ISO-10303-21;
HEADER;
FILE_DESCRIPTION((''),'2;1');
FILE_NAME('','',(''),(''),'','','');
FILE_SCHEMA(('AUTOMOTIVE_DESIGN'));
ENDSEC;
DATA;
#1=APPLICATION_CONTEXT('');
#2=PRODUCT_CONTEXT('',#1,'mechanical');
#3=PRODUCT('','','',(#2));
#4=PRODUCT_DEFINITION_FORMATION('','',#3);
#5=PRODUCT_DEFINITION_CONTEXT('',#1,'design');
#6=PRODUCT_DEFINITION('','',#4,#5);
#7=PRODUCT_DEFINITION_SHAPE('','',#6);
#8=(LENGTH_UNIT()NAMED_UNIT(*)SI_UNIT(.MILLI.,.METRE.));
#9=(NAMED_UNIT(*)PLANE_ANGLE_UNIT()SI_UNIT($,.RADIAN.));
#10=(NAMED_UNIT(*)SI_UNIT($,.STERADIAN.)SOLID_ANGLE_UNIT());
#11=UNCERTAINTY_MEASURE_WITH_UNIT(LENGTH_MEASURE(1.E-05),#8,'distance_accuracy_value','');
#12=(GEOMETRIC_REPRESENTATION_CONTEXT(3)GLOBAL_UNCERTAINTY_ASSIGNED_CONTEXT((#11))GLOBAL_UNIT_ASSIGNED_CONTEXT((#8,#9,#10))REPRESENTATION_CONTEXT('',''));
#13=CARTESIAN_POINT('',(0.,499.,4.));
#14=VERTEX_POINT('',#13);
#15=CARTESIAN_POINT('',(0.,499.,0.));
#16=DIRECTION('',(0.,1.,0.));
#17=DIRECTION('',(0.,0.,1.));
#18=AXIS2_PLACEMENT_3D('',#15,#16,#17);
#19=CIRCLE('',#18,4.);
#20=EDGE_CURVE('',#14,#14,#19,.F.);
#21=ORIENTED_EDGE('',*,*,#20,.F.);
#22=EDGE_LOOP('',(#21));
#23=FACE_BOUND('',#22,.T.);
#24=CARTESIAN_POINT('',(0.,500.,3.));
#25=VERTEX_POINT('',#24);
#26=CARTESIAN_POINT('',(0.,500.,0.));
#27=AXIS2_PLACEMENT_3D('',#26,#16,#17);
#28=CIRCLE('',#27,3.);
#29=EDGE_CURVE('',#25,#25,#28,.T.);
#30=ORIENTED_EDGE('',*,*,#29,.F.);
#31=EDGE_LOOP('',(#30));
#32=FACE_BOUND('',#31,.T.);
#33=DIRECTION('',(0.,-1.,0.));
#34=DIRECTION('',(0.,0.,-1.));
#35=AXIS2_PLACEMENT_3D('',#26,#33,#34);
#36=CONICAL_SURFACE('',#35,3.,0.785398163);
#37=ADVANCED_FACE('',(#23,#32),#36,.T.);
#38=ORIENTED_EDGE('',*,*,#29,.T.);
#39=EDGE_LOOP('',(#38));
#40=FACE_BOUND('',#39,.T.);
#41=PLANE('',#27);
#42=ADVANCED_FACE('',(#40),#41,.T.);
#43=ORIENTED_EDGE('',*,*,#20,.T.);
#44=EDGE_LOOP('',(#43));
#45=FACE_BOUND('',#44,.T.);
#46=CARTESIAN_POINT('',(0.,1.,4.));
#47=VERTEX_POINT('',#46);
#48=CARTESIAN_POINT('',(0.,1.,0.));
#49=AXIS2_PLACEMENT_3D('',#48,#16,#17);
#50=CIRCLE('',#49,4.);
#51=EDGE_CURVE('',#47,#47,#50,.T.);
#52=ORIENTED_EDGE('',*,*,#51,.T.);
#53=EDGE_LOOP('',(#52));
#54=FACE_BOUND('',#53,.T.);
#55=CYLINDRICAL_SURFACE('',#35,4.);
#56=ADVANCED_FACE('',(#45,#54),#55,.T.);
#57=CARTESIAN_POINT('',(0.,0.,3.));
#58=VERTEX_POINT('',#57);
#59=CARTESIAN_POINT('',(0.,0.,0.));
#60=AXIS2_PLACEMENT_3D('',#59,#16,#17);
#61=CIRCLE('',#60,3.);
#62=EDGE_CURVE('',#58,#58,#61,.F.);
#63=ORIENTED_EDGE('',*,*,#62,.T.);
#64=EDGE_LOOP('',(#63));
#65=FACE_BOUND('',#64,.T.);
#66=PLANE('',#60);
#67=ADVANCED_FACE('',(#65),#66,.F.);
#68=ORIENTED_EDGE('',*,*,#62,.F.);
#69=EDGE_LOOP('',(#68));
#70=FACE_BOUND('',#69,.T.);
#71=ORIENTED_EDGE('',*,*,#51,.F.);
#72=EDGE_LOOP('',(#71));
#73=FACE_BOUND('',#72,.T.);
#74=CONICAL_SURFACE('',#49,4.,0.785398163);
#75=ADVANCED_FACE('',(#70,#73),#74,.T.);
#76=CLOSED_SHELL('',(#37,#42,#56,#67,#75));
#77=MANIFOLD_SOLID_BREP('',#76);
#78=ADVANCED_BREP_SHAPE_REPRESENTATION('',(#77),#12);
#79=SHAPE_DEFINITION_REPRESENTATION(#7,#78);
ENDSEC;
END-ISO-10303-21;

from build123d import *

# Parameters (mm, degrees)
SKETCH1_R           = 4
BOSS_EXTRUDE1_DEPTH = 500
CHAMFER1_SIZE       = 1


with BuildPart() as part:
    # Sketch1 → Boss-Extrude1 (new body)
    with BuildSketch(Plane(origin=(0, 0, 0), x_dir=(1, 0, 0), z_dir=(0, 1, 0))):
        Circle(SKETCH1_R)
    extrude(amount=BOSS_EXTRUDE1_DEPTH)

    # Chamfer1
    chamfer1_edges = [part.edges().sort_by_distance(p)[0] for p in [
        (-4, 0, 0),
        (-4, 500, 0),
    ]]
    chamfer(chamfer1_edges, length=CHAMFER1_SIZE)


solid = part.part
